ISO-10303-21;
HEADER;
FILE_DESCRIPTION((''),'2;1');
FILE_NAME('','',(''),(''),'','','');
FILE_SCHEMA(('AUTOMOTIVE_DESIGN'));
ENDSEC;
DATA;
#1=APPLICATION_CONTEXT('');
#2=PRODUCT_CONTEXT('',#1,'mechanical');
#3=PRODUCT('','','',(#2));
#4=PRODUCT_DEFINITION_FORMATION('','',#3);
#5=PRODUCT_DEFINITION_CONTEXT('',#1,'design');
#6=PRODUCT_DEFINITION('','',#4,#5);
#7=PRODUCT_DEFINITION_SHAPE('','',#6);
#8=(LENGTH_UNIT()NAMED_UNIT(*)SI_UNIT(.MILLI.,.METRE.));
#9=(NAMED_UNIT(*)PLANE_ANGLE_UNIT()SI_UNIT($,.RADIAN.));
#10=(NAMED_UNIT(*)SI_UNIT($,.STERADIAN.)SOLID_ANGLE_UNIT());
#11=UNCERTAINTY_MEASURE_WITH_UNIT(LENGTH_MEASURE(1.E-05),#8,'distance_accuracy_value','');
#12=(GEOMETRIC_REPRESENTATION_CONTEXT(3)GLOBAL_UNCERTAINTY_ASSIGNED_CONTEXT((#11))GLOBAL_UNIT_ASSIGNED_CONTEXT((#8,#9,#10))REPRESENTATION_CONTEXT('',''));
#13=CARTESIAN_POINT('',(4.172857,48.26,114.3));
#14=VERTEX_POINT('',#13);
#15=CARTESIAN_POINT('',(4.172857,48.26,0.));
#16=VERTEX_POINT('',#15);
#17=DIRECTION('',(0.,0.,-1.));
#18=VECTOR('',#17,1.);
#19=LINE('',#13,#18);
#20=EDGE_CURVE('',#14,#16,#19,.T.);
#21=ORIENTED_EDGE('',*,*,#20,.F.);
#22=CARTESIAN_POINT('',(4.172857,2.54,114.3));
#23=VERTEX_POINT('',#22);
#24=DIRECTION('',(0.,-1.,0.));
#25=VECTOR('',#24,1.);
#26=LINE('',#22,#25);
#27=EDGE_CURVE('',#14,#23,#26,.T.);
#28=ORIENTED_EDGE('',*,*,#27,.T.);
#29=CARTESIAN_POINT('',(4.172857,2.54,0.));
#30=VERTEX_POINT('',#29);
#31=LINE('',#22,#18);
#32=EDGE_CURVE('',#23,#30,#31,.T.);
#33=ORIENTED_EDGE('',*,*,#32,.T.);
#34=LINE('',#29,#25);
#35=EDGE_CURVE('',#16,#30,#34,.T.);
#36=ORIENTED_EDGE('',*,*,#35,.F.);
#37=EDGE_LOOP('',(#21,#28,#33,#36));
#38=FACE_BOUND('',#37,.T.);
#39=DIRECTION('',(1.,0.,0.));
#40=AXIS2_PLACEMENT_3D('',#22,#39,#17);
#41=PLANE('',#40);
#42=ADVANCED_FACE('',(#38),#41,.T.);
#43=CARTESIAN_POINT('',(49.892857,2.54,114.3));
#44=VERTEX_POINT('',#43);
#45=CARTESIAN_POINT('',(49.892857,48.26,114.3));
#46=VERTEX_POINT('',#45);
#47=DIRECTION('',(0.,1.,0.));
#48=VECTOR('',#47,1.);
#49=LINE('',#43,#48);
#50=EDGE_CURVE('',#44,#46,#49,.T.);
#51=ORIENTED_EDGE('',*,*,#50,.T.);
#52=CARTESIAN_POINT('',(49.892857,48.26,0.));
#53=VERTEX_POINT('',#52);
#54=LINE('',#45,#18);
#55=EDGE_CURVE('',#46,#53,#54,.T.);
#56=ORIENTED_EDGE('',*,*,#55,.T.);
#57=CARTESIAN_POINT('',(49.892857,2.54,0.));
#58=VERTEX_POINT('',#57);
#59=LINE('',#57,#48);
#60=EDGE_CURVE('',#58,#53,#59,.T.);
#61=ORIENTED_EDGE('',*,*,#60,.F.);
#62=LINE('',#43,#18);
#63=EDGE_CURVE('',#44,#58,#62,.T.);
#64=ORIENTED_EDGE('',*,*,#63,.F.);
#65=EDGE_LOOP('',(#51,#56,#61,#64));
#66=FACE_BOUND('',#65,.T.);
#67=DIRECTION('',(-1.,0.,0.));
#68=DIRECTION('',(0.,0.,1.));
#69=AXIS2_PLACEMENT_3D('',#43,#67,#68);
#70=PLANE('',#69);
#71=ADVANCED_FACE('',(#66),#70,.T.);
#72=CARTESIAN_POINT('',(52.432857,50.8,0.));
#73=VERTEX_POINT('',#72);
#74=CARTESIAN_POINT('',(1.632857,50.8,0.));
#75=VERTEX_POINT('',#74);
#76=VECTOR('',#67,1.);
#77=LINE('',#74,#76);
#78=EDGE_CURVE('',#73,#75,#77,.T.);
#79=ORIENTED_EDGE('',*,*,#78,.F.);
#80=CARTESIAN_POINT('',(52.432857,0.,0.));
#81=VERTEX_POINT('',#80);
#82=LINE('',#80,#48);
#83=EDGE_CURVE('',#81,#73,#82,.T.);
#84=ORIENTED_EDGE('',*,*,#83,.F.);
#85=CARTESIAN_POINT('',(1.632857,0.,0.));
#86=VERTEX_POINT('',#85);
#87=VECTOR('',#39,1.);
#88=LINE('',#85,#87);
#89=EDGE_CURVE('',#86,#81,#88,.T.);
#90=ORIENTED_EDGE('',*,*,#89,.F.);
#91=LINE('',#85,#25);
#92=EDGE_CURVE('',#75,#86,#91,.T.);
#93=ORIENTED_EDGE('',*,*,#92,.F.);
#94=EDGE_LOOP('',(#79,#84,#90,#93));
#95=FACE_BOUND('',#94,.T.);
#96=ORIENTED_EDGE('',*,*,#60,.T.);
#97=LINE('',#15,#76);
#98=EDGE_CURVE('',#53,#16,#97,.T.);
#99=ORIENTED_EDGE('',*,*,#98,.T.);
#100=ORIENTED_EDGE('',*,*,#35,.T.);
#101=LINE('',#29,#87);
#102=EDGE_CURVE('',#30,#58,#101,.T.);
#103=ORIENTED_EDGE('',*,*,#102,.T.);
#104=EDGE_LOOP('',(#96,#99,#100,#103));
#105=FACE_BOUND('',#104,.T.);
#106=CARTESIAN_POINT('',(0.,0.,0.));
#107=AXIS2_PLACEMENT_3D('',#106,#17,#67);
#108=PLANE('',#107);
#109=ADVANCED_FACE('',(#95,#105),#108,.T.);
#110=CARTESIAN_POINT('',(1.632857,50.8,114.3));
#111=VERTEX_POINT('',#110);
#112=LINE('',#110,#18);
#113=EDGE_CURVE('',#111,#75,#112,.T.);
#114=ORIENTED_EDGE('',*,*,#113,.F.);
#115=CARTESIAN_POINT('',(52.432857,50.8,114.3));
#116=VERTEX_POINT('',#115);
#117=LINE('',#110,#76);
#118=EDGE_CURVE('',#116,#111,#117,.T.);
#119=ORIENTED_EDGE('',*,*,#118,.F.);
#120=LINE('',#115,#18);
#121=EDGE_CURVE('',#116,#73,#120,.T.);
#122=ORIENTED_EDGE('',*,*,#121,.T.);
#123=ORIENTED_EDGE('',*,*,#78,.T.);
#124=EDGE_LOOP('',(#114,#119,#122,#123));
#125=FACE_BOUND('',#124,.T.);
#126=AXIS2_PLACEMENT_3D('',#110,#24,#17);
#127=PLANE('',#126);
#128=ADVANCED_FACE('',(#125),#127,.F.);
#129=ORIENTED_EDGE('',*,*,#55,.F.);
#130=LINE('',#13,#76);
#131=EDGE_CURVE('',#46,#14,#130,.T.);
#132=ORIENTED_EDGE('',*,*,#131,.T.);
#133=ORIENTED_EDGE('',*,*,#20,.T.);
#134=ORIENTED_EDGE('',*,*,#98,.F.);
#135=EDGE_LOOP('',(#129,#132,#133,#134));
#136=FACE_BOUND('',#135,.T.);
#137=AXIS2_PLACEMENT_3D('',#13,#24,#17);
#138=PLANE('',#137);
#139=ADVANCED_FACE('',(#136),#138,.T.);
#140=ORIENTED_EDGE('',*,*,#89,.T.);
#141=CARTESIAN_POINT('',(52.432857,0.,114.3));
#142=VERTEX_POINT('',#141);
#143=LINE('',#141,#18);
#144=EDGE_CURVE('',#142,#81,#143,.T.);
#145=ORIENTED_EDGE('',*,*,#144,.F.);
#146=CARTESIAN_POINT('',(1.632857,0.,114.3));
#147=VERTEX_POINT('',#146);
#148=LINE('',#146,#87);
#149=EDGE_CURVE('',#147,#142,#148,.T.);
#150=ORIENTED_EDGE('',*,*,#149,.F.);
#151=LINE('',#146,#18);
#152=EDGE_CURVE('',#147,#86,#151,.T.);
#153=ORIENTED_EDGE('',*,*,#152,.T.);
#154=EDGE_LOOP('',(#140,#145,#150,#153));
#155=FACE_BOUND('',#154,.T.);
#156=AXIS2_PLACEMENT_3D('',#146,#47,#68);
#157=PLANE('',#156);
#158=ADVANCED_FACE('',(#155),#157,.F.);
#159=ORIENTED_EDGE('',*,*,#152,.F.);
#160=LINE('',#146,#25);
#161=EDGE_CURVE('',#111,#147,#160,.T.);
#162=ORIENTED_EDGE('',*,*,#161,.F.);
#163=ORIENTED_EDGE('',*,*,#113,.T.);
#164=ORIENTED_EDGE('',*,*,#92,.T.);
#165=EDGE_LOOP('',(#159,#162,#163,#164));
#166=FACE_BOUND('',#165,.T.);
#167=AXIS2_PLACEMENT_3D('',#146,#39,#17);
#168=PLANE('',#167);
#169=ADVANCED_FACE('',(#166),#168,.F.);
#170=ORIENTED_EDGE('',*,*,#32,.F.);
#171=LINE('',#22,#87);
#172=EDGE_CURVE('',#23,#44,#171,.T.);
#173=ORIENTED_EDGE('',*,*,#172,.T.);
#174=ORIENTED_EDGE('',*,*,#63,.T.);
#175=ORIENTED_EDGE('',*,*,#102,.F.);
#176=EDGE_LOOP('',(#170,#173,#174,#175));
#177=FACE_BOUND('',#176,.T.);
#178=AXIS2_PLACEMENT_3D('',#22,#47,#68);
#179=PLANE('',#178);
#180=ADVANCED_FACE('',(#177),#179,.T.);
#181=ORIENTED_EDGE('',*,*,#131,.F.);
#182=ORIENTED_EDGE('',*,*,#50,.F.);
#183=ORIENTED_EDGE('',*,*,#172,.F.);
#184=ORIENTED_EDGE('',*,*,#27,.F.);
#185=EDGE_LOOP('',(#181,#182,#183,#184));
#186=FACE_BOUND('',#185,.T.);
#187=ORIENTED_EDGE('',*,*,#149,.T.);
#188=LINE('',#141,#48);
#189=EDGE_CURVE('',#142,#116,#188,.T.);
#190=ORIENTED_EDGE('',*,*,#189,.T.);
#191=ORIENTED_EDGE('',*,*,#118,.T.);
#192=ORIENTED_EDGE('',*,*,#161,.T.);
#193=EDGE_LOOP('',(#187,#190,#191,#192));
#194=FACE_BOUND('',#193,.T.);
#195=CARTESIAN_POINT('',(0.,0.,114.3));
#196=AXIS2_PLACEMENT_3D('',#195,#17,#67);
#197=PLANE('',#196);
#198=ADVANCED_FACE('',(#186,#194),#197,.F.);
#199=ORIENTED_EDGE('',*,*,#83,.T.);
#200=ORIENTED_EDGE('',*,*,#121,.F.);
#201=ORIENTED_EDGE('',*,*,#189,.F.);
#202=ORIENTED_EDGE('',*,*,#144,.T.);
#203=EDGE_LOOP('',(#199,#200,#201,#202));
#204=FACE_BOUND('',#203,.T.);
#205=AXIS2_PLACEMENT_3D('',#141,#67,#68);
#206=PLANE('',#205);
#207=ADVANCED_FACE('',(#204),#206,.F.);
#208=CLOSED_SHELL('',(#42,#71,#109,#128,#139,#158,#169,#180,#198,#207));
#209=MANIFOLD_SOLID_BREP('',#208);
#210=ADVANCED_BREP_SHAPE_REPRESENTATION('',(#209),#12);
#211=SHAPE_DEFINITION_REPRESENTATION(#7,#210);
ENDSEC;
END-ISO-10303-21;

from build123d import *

# Parameters (mm, degrees)
SKETCH1_W           = 50.8
SKETCH1_H           = 50.8
SKETCH1_W_2         = 45.72
SKETCH1_H_2         = 45.72
BOSS_EXTRUDE1_DEPTH = 114.3


with BuildPart() as part:
    # Sketch1 → Boss-Extrude1 (new body)
    with BuildSketch(Plane.XY):
        with Locations((27.032857143, 25.4)):
            Rectangle(SKETCH1_W, SKETCH1_H)
        with Locations((27.032857143, 25.4)):
            Rectangle(SKETCH1_W_2, SKETCH1_H_2, mode=Mode.SUBTRACT)
    extrude(amount=BOSS_EXTRUDE1_DEPTH)


solid = part.part
